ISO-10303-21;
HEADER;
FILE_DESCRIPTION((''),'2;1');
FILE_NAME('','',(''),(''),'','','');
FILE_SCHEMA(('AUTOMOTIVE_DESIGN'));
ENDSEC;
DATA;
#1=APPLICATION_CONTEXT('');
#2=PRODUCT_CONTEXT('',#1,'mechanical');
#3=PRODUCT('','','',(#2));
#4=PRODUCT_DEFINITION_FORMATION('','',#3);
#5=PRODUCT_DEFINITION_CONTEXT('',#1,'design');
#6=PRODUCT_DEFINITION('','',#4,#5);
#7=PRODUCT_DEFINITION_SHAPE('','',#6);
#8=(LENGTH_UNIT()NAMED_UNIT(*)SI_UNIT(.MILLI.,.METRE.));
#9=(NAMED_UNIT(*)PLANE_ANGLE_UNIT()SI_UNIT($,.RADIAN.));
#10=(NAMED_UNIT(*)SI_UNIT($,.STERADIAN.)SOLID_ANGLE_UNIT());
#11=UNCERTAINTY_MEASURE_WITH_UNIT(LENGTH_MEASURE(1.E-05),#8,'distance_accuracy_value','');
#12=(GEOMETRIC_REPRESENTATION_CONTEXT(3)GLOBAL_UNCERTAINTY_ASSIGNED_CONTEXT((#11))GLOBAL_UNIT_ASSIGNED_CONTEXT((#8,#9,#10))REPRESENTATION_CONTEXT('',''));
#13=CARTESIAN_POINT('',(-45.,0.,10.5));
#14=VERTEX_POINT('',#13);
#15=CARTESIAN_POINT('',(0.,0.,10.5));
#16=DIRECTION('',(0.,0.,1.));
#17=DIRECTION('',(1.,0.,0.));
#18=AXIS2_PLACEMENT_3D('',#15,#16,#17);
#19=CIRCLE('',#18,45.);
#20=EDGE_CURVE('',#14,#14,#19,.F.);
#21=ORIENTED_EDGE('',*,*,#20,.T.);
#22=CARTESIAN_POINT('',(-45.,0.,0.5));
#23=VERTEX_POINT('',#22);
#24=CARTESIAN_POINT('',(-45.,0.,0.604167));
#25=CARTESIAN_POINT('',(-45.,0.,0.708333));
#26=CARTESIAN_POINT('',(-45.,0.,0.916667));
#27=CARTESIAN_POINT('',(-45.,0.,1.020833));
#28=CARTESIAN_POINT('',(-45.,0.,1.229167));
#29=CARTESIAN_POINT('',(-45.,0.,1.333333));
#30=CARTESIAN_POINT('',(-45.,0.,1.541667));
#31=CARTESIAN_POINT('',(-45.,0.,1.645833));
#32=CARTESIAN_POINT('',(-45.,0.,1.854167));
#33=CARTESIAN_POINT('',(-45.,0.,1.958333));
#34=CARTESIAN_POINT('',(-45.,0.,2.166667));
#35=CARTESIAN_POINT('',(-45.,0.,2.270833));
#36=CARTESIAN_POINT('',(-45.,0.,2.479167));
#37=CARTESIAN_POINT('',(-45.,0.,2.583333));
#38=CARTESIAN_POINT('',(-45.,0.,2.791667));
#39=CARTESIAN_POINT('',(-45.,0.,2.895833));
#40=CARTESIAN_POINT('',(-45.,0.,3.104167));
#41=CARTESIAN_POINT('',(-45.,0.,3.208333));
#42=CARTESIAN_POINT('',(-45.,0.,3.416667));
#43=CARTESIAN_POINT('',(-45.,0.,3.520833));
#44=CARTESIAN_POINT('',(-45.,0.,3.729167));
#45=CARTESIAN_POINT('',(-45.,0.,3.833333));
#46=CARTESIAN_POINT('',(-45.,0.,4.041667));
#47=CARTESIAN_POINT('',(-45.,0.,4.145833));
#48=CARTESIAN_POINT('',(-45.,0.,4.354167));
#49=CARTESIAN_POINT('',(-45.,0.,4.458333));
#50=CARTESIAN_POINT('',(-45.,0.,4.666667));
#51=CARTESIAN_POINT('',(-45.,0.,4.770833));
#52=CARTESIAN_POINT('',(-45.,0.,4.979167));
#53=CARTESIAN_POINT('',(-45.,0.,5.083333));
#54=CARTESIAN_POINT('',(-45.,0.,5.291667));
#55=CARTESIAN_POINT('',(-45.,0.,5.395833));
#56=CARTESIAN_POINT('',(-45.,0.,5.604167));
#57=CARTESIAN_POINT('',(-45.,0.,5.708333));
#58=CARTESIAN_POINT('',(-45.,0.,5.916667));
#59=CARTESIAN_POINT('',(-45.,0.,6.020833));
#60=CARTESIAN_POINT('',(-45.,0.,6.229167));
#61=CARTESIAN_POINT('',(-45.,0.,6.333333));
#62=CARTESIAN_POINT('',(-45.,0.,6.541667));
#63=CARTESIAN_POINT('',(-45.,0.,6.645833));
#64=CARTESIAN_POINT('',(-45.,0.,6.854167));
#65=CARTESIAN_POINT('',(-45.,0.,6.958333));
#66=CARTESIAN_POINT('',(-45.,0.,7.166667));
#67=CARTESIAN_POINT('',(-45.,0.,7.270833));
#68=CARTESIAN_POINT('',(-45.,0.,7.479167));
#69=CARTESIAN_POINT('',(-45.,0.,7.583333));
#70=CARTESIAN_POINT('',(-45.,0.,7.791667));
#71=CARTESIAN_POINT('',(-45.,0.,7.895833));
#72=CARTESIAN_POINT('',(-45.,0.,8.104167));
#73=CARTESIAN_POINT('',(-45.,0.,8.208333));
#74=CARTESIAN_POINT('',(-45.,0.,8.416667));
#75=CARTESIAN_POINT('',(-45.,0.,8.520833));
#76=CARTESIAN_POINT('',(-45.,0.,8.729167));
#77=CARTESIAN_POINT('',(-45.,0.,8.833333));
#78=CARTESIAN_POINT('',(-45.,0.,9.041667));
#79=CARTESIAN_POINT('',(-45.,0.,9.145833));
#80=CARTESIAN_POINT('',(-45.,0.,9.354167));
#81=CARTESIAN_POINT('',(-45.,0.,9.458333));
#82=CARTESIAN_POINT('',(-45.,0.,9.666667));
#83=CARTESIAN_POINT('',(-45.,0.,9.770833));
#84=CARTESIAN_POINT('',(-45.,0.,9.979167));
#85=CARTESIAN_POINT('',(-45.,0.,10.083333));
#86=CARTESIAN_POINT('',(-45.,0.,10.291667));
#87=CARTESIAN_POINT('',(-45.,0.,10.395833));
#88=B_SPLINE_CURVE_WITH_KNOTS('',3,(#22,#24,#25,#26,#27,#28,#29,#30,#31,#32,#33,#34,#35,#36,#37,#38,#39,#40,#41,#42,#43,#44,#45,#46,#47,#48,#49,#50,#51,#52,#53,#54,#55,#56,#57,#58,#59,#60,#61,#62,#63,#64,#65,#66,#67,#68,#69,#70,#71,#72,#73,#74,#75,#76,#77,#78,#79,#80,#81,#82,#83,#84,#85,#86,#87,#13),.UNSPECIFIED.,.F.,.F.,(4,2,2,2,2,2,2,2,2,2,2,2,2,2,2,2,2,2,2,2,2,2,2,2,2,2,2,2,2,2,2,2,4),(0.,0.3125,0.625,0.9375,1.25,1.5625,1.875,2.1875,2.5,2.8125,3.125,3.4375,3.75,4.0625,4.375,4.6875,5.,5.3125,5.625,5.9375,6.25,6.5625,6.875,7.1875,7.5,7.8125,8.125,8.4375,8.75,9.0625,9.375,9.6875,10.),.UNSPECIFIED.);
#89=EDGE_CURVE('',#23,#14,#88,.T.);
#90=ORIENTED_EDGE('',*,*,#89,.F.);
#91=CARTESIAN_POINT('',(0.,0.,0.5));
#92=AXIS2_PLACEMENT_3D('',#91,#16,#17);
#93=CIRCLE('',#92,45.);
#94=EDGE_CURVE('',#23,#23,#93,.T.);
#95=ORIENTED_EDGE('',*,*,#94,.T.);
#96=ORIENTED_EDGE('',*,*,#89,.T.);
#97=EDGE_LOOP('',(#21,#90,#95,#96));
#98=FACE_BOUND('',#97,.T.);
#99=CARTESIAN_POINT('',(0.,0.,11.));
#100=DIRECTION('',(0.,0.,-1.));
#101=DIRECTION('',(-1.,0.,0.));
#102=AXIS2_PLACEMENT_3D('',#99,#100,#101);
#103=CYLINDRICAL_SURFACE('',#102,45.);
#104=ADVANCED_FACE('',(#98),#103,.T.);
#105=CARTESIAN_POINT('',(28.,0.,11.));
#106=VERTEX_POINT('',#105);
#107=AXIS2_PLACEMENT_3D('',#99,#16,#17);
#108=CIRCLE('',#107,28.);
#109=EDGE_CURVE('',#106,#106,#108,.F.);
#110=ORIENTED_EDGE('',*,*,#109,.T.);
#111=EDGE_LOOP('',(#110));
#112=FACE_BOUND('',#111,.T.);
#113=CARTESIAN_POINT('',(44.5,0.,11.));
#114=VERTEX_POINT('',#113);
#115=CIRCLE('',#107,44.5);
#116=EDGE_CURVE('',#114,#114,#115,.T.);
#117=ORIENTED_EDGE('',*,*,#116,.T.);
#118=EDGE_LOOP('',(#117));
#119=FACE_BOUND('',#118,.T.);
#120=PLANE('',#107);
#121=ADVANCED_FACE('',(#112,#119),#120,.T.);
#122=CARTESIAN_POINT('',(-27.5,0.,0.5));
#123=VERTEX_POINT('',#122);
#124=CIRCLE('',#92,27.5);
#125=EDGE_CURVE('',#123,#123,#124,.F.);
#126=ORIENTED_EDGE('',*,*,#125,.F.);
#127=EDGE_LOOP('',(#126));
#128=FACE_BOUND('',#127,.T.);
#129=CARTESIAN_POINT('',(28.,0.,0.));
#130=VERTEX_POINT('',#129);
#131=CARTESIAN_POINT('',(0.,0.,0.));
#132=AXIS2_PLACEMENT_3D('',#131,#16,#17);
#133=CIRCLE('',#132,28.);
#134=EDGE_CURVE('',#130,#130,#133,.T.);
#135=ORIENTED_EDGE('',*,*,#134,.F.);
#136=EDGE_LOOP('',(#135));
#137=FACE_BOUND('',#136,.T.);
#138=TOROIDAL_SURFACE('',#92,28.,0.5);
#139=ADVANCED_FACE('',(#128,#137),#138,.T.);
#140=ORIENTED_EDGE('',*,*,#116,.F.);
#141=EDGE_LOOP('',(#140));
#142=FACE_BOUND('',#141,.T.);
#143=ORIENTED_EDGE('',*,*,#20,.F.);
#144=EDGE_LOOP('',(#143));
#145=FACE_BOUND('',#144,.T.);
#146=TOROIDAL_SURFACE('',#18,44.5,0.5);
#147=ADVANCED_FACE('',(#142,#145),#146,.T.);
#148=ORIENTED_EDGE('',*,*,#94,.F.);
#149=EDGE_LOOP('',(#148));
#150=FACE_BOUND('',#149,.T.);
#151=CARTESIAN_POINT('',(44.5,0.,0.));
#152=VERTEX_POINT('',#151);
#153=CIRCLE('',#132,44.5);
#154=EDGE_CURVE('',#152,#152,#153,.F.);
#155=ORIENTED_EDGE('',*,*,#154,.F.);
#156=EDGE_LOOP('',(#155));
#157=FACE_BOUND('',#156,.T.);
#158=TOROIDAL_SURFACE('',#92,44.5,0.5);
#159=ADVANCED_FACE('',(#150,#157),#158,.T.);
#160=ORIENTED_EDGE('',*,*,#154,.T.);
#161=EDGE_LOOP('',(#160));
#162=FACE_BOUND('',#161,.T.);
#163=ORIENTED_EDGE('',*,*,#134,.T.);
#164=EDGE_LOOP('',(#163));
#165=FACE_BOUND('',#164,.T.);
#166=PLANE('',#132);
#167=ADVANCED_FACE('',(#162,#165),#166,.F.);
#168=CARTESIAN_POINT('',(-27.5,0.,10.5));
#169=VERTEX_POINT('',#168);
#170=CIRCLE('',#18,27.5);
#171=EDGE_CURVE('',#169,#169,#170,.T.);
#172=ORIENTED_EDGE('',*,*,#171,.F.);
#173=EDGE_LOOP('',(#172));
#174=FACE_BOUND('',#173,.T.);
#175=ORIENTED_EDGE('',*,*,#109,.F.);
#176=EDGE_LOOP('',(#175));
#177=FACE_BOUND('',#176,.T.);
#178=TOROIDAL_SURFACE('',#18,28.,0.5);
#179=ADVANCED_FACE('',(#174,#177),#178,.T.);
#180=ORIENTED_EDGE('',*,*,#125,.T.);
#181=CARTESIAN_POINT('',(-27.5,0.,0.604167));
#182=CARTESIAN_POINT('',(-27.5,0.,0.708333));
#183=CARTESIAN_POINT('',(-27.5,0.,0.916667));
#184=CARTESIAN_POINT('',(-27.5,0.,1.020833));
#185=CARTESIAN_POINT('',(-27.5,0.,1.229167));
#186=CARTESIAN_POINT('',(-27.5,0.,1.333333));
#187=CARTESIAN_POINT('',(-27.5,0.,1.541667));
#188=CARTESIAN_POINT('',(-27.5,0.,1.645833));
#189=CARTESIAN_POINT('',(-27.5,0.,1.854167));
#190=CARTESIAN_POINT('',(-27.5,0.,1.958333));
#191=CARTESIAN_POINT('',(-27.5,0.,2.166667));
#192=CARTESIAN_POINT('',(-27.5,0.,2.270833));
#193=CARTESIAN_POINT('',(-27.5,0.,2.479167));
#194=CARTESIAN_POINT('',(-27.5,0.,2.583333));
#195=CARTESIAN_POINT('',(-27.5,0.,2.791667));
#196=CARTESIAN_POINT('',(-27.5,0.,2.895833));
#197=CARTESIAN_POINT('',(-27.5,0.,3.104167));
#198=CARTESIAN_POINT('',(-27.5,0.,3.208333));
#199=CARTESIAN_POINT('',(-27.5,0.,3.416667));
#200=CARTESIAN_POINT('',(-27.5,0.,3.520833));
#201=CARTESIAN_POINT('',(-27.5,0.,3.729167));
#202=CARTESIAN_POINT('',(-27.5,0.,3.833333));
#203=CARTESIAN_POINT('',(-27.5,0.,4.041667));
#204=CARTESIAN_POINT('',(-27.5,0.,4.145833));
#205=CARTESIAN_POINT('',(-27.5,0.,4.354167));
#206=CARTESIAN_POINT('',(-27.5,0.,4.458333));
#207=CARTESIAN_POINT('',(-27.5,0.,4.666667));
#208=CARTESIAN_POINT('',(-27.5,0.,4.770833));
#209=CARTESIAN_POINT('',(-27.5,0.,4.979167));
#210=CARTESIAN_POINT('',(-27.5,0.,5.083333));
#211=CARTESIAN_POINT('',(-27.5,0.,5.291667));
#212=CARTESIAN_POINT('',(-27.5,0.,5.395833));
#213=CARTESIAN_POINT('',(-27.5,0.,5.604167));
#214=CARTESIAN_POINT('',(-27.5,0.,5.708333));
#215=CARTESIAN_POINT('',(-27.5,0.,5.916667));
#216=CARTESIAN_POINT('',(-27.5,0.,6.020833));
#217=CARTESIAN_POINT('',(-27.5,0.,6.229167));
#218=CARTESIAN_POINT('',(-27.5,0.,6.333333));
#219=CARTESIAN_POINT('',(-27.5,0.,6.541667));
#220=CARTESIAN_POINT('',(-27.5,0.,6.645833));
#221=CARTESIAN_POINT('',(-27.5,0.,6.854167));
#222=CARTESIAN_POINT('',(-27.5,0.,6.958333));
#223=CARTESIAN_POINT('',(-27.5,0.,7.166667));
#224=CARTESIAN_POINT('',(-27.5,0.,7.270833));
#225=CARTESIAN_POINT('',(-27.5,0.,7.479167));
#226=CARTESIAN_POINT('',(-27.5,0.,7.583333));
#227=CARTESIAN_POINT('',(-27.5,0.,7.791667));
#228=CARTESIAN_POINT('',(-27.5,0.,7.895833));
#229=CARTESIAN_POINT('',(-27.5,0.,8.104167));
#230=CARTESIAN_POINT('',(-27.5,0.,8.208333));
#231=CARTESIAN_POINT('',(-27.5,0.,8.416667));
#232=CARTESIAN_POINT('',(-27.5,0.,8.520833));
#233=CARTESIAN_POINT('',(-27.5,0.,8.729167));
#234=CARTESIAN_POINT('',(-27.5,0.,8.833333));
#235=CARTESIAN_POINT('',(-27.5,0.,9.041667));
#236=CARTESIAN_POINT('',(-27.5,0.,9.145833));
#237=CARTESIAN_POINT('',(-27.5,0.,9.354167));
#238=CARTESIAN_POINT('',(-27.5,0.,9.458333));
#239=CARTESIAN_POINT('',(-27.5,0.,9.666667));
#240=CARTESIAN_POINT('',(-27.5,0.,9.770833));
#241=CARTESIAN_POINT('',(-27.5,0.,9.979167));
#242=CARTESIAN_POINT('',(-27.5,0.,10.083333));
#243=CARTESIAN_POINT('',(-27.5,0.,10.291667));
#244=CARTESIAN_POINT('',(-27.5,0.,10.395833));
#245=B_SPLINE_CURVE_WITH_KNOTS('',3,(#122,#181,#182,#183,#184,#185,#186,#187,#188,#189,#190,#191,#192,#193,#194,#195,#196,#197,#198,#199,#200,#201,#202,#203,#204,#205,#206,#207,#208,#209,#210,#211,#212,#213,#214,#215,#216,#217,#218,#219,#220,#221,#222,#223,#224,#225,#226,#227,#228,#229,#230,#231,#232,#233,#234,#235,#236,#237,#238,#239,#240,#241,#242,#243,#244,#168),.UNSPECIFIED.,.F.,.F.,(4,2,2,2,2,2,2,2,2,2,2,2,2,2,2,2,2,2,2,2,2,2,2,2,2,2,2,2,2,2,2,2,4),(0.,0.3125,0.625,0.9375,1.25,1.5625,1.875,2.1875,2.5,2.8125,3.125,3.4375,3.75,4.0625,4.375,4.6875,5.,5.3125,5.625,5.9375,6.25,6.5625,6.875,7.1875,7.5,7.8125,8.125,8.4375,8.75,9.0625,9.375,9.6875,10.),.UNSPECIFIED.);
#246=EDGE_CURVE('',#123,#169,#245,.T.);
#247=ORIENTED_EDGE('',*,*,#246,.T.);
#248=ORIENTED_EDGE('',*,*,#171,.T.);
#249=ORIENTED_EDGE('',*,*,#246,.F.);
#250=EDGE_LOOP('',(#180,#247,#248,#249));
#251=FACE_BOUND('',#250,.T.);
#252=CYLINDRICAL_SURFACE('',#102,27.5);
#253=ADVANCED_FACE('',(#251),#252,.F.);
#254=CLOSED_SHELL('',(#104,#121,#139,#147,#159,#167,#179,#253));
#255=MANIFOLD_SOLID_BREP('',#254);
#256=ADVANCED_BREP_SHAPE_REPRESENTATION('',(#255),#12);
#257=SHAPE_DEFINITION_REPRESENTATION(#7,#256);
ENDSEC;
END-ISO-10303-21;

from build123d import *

# Parameters (mm, degrees)
SKETCH_1_R      = 45
SKETCH_1_R_2    = 27.5
EXTRUDE_1_DEPTH = 11
FILLET_1_R      = 0.5


with BuildPart() as part:
    # 草图1 → 拉伸1 (new body)
    with BuildSketch(Plane.XY):
        Circle(SKETCH_1_R)
        Circle(SKETCH_1_R_2, mode=Mode.SUBTRACT)
    extrude(amount=EXTRUDE_1_DEPTH)

    # 圆角1
    fillet_1_edges = [part.edges().sort_by_distance(p)[0] for p in [
        (-45, 0, 0),
        (-45, 0, 11),
        (-27.5, 0, 0),
        (-27.5, 0, 11),
    ]]
    fillet(fillet_1_edges, radius=FILLET_1_R)


solid = part.part
